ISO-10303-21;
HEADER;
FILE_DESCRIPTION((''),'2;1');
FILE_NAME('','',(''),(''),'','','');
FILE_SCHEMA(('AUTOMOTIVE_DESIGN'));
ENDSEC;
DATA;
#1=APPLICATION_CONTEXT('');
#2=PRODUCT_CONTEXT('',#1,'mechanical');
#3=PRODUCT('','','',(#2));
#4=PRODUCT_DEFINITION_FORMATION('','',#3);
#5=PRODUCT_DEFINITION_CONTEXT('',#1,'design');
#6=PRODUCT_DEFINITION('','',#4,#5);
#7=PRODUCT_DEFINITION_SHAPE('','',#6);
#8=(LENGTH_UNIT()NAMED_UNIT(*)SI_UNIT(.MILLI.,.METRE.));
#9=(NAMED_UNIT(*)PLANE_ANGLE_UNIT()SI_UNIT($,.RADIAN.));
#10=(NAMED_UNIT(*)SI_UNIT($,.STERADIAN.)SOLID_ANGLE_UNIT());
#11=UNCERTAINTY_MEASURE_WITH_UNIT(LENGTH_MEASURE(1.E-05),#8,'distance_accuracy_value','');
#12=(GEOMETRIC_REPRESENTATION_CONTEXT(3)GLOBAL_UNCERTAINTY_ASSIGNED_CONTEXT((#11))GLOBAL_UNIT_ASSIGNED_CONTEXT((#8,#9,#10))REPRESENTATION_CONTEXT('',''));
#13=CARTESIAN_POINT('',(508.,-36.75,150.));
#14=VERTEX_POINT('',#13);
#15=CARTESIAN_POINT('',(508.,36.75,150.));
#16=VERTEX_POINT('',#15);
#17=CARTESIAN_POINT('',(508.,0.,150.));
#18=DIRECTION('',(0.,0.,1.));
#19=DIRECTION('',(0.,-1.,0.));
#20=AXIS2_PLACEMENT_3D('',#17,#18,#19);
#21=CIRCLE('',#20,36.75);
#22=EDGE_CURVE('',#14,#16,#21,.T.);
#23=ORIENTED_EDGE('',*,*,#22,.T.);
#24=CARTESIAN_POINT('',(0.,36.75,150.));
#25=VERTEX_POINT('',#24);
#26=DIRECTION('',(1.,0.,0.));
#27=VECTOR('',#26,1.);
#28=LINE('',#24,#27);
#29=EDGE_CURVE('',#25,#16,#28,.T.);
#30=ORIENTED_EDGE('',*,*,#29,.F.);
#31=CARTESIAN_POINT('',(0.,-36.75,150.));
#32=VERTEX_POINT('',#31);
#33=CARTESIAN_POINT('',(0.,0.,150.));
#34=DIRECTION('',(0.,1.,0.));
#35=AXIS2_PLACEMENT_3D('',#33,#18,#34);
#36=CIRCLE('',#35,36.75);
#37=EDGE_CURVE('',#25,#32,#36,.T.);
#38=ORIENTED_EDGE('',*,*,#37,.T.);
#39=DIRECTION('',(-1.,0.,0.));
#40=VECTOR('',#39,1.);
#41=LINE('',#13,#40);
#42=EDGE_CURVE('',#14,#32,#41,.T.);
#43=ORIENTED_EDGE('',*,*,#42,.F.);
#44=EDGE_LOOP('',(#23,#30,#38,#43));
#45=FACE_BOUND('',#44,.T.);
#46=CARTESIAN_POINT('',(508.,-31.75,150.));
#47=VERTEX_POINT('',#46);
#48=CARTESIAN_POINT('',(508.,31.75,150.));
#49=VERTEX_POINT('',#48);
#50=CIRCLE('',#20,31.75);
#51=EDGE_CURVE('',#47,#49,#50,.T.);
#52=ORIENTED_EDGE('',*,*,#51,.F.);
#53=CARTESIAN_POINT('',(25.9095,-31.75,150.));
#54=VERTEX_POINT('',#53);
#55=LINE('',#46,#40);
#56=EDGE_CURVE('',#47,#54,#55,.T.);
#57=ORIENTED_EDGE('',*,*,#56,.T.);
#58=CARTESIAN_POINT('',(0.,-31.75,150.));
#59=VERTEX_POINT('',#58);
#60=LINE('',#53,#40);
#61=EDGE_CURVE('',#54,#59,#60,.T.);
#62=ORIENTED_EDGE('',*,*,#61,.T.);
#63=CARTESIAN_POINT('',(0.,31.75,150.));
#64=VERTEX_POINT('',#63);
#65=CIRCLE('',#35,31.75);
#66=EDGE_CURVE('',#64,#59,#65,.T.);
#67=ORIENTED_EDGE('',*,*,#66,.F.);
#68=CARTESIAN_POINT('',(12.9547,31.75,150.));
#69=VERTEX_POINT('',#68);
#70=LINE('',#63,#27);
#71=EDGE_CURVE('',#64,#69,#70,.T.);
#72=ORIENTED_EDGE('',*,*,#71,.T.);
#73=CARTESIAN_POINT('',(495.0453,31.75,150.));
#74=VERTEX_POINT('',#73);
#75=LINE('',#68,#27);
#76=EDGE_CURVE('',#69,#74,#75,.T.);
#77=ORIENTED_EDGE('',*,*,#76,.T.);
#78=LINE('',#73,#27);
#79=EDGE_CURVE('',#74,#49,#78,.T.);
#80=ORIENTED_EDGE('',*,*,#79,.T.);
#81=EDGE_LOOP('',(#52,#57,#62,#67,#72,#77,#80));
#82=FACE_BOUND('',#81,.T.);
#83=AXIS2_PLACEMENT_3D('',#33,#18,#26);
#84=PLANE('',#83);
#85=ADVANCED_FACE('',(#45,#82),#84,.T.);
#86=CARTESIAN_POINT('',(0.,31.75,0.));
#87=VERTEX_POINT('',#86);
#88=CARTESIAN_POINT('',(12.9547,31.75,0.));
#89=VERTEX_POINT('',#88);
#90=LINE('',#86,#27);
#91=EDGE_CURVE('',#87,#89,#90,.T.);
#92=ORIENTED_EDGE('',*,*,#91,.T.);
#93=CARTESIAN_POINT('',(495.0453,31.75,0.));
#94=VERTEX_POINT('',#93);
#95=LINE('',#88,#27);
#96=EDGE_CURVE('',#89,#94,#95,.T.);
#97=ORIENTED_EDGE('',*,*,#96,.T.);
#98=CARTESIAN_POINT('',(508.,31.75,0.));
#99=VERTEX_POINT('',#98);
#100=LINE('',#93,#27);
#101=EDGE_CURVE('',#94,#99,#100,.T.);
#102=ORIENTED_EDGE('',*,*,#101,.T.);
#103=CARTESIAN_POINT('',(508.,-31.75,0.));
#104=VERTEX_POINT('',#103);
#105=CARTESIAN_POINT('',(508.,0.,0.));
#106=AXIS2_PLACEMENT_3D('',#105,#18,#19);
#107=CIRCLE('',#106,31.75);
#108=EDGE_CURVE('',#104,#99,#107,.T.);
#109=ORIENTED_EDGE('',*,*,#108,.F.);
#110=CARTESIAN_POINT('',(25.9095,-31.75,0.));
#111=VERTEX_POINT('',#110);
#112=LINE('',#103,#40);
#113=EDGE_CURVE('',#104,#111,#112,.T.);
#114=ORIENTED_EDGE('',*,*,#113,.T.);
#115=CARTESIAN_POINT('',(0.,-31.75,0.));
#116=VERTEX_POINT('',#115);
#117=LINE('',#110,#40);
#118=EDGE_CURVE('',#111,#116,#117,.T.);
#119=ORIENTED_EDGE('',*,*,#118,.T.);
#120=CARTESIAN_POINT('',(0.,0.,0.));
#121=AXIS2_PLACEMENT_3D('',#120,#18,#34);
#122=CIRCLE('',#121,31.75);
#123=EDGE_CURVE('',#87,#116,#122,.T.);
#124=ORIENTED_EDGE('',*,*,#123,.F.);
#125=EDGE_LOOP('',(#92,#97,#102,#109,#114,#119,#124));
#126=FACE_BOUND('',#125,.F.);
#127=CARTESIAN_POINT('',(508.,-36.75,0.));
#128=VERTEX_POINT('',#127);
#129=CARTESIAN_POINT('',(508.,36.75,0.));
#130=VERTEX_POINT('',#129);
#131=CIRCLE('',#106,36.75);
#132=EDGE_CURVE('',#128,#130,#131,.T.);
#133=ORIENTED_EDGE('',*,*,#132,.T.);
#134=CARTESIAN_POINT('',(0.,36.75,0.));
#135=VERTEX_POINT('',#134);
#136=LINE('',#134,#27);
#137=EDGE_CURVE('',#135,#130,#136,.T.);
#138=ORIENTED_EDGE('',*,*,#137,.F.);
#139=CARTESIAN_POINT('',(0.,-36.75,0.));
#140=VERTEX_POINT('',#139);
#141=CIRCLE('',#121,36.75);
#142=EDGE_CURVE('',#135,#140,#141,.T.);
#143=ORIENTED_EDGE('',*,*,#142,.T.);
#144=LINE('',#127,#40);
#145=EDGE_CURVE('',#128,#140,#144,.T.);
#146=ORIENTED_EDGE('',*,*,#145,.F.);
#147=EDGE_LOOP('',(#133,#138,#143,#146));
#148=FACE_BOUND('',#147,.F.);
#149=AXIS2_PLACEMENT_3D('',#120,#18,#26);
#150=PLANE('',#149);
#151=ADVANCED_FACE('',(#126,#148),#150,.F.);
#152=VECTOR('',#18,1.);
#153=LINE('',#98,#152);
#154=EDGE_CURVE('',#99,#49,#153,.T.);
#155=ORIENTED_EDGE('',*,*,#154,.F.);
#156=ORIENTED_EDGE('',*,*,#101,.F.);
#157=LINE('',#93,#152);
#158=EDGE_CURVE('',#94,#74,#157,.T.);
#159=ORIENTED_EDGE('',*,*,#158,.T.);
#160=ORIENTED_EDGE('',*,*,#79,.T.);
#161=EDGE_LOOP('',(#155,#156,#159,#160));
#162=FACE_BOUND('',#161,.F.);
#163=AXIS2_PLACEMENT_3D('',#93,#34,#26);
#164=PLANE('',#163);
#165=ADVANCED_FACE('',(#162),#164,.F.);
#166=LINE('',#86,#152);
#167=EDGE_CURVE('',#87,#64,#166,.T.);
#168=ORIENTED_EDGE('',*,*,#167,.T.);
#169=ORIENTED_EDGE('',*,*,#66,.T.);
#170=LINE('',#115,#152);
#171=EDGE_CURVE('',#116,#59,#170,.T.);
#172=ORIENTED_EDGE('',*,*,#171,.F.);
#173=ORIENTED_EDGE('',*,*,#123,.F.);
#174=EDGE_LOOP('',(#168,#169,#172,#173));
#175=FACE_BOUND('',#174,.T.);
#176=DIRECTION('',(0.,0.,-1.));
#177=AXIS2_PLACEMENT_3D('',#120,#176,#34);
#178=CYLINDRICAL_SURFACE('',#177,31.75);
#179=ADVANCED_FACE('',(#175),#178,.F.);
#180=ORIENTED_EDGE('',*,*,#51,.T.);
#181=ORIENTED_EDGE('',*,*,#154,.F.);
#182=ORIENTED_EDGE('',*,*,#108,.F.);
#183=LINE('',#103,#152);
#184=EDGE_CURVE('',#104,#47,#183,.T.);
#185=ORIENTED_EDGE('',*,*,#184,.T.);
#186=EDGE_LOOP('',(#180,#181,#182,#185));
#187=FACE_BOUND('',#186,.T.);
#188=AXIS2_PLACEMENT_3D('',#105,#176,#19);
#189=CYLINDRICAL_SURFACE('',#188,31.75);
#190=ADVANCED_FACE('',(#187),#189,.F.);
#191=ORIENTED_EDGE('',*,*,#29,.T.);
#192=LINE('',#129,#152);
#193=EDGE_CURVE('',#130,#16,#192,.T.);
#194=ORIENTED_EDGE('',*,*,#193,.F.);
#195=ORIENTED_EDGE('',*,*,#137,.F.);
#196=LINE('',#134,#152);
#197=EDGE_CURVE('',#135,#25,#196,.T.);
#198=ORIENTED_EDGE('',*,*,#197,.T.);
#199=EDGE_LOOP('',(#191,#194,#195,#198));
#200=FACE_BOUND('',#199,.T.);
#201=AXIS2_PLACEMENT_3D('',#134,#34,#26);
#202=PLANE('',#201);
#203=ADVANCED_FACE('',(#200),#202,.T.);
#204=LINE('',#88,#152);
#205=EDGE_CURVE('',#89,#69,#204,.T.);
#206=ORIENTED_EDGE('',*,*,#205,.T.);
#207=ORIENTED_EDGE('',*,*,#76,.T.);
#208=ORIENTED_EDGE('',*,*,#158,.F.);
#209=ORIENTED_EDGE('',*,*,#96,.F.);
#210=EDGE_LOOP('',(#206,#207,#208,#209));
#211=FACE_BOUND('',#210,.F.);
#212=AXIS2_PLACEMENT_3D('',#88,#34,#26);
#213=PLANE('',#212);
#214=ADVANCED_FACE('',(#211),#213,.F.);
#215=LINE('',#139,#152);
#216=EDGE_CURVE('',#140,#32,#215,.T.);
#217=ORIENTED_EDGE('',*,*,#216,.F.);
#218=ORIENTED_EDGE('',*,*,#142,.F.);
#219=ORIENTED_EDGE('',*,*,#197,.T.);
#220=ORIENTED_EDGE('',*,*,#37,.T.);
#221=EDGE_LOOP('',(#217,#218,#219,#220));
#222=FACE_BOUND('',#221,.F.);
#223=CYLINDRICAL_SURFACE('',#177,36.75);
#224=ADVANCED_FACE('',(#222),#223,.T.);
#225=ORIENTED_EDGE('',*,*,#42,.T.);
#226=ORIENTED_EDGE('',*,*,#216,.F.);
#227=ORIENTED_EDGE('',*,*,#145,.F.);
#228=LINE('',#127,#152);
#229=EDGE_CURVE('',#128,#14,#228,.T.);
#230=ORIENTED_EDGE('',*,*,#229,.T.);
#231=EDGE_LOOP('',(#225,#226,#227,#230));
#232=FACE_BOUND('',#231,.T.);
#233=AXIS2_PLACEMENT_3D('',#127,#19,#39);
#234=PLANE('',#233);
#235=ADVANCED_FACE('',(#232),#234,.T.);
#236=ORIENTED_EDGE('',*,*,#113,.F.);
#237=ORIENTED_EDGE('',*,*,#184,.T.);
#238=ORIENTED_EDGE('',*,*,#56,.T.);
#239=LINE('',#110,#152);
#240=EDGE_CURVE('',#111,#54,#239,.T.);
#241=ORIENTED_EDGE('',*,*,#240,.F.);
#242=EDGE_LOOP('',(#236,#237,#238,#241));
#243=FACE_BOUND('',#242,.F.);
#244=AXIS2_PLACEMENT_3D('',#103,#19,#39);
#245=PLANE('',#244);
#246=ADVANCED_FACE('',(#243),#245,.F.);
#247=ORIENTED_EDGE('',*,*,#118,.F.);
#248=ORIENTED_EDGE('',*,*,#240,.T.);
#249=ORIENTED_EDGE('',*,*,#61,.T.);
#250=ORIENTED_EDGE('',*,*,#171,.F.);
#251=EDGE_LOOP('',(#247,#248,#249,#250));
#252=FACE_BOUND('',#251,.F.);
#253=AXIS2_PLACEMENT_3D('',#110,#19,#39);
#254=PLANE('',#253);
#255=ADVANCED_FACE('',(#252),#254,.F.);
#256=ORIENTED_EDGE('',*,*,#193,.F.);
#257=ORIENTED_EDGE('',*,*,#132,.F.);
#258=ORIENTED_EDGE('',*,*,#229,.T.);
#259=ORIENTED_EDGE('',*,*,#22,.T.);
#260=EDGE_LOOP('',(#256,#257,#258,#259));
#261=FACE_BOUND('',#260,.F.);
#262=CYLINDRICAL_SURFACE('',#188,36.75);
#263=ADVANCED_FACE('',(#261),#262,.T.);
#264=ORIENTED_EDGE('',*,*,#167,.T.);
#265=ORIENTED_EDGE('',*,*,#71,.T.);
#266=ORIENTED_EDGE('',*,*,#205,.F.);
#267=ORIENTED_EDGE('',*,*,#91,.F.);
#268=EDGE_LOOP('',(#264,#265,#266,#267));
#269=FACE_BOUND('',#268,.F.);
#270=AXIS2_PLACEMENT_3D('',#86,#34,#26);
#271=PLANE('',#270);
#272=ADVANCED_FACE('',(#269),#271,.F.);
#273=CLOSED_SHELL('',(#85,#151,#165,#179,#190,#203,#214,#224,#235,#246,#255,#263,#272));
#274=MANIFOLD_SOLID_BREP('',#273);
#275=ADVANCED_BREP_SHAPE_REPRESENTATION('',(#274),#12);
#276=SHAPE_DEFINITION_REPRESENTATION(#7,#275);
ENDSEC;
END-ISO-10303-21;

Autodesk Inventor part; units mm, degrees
ref_plane "YZ Plane" through (0, 0, 0) normal (1, 0, 0) x (0, 1, 0)
ref_plane "XZ Plane" through (0, 0, 0) normal (0, 1, 0) x (-1, 0, 0)
ref_plane "XY Plane" through (0, 0, 0) normal (0, 0, 1) x (1, 0, 0)
sketch "Sketch1" plane through (0, 0, 0) normal (0, 0, 1) x (1, 0, 0)
  arc A0 (0, 31.75) -> (0, -31.75) centre (0, 0) ccw
  arc A1 (508, -31.75) -> (508, 31.75) centre (508, 0) ccw
  line L0 (508, -31.75) -> (25.9095, -31.75)
  line L1 (0, 31.75) -> (12.9547, 31.75)
  arc A2 (0, 36.75) -> (0, -36.75) centre (0, 0) ccw
  line L2 (0, 36.75) -> (508, 36.75)
  line L3 (508, -36.75) -> (0, -36.75)
  arc A3 (508, -36.75) -> (508, 36.75) centre (508, 0) ccw
  line L4 (495.0453, 31.75) -> (508, 31.75)
  line L5 (12.9547, 31.75) -> (495.0453, 31.75)
  line L6 (25.9095, -31.75) -> (0, -31.75)
  dimension "d0" = 63.5
  dimension "d1" = 508
  dimension "d2" = 73.5
extrude "Extrusion1" add sketch "Sketch1" along normal blind 150
properties part number "banda1"
